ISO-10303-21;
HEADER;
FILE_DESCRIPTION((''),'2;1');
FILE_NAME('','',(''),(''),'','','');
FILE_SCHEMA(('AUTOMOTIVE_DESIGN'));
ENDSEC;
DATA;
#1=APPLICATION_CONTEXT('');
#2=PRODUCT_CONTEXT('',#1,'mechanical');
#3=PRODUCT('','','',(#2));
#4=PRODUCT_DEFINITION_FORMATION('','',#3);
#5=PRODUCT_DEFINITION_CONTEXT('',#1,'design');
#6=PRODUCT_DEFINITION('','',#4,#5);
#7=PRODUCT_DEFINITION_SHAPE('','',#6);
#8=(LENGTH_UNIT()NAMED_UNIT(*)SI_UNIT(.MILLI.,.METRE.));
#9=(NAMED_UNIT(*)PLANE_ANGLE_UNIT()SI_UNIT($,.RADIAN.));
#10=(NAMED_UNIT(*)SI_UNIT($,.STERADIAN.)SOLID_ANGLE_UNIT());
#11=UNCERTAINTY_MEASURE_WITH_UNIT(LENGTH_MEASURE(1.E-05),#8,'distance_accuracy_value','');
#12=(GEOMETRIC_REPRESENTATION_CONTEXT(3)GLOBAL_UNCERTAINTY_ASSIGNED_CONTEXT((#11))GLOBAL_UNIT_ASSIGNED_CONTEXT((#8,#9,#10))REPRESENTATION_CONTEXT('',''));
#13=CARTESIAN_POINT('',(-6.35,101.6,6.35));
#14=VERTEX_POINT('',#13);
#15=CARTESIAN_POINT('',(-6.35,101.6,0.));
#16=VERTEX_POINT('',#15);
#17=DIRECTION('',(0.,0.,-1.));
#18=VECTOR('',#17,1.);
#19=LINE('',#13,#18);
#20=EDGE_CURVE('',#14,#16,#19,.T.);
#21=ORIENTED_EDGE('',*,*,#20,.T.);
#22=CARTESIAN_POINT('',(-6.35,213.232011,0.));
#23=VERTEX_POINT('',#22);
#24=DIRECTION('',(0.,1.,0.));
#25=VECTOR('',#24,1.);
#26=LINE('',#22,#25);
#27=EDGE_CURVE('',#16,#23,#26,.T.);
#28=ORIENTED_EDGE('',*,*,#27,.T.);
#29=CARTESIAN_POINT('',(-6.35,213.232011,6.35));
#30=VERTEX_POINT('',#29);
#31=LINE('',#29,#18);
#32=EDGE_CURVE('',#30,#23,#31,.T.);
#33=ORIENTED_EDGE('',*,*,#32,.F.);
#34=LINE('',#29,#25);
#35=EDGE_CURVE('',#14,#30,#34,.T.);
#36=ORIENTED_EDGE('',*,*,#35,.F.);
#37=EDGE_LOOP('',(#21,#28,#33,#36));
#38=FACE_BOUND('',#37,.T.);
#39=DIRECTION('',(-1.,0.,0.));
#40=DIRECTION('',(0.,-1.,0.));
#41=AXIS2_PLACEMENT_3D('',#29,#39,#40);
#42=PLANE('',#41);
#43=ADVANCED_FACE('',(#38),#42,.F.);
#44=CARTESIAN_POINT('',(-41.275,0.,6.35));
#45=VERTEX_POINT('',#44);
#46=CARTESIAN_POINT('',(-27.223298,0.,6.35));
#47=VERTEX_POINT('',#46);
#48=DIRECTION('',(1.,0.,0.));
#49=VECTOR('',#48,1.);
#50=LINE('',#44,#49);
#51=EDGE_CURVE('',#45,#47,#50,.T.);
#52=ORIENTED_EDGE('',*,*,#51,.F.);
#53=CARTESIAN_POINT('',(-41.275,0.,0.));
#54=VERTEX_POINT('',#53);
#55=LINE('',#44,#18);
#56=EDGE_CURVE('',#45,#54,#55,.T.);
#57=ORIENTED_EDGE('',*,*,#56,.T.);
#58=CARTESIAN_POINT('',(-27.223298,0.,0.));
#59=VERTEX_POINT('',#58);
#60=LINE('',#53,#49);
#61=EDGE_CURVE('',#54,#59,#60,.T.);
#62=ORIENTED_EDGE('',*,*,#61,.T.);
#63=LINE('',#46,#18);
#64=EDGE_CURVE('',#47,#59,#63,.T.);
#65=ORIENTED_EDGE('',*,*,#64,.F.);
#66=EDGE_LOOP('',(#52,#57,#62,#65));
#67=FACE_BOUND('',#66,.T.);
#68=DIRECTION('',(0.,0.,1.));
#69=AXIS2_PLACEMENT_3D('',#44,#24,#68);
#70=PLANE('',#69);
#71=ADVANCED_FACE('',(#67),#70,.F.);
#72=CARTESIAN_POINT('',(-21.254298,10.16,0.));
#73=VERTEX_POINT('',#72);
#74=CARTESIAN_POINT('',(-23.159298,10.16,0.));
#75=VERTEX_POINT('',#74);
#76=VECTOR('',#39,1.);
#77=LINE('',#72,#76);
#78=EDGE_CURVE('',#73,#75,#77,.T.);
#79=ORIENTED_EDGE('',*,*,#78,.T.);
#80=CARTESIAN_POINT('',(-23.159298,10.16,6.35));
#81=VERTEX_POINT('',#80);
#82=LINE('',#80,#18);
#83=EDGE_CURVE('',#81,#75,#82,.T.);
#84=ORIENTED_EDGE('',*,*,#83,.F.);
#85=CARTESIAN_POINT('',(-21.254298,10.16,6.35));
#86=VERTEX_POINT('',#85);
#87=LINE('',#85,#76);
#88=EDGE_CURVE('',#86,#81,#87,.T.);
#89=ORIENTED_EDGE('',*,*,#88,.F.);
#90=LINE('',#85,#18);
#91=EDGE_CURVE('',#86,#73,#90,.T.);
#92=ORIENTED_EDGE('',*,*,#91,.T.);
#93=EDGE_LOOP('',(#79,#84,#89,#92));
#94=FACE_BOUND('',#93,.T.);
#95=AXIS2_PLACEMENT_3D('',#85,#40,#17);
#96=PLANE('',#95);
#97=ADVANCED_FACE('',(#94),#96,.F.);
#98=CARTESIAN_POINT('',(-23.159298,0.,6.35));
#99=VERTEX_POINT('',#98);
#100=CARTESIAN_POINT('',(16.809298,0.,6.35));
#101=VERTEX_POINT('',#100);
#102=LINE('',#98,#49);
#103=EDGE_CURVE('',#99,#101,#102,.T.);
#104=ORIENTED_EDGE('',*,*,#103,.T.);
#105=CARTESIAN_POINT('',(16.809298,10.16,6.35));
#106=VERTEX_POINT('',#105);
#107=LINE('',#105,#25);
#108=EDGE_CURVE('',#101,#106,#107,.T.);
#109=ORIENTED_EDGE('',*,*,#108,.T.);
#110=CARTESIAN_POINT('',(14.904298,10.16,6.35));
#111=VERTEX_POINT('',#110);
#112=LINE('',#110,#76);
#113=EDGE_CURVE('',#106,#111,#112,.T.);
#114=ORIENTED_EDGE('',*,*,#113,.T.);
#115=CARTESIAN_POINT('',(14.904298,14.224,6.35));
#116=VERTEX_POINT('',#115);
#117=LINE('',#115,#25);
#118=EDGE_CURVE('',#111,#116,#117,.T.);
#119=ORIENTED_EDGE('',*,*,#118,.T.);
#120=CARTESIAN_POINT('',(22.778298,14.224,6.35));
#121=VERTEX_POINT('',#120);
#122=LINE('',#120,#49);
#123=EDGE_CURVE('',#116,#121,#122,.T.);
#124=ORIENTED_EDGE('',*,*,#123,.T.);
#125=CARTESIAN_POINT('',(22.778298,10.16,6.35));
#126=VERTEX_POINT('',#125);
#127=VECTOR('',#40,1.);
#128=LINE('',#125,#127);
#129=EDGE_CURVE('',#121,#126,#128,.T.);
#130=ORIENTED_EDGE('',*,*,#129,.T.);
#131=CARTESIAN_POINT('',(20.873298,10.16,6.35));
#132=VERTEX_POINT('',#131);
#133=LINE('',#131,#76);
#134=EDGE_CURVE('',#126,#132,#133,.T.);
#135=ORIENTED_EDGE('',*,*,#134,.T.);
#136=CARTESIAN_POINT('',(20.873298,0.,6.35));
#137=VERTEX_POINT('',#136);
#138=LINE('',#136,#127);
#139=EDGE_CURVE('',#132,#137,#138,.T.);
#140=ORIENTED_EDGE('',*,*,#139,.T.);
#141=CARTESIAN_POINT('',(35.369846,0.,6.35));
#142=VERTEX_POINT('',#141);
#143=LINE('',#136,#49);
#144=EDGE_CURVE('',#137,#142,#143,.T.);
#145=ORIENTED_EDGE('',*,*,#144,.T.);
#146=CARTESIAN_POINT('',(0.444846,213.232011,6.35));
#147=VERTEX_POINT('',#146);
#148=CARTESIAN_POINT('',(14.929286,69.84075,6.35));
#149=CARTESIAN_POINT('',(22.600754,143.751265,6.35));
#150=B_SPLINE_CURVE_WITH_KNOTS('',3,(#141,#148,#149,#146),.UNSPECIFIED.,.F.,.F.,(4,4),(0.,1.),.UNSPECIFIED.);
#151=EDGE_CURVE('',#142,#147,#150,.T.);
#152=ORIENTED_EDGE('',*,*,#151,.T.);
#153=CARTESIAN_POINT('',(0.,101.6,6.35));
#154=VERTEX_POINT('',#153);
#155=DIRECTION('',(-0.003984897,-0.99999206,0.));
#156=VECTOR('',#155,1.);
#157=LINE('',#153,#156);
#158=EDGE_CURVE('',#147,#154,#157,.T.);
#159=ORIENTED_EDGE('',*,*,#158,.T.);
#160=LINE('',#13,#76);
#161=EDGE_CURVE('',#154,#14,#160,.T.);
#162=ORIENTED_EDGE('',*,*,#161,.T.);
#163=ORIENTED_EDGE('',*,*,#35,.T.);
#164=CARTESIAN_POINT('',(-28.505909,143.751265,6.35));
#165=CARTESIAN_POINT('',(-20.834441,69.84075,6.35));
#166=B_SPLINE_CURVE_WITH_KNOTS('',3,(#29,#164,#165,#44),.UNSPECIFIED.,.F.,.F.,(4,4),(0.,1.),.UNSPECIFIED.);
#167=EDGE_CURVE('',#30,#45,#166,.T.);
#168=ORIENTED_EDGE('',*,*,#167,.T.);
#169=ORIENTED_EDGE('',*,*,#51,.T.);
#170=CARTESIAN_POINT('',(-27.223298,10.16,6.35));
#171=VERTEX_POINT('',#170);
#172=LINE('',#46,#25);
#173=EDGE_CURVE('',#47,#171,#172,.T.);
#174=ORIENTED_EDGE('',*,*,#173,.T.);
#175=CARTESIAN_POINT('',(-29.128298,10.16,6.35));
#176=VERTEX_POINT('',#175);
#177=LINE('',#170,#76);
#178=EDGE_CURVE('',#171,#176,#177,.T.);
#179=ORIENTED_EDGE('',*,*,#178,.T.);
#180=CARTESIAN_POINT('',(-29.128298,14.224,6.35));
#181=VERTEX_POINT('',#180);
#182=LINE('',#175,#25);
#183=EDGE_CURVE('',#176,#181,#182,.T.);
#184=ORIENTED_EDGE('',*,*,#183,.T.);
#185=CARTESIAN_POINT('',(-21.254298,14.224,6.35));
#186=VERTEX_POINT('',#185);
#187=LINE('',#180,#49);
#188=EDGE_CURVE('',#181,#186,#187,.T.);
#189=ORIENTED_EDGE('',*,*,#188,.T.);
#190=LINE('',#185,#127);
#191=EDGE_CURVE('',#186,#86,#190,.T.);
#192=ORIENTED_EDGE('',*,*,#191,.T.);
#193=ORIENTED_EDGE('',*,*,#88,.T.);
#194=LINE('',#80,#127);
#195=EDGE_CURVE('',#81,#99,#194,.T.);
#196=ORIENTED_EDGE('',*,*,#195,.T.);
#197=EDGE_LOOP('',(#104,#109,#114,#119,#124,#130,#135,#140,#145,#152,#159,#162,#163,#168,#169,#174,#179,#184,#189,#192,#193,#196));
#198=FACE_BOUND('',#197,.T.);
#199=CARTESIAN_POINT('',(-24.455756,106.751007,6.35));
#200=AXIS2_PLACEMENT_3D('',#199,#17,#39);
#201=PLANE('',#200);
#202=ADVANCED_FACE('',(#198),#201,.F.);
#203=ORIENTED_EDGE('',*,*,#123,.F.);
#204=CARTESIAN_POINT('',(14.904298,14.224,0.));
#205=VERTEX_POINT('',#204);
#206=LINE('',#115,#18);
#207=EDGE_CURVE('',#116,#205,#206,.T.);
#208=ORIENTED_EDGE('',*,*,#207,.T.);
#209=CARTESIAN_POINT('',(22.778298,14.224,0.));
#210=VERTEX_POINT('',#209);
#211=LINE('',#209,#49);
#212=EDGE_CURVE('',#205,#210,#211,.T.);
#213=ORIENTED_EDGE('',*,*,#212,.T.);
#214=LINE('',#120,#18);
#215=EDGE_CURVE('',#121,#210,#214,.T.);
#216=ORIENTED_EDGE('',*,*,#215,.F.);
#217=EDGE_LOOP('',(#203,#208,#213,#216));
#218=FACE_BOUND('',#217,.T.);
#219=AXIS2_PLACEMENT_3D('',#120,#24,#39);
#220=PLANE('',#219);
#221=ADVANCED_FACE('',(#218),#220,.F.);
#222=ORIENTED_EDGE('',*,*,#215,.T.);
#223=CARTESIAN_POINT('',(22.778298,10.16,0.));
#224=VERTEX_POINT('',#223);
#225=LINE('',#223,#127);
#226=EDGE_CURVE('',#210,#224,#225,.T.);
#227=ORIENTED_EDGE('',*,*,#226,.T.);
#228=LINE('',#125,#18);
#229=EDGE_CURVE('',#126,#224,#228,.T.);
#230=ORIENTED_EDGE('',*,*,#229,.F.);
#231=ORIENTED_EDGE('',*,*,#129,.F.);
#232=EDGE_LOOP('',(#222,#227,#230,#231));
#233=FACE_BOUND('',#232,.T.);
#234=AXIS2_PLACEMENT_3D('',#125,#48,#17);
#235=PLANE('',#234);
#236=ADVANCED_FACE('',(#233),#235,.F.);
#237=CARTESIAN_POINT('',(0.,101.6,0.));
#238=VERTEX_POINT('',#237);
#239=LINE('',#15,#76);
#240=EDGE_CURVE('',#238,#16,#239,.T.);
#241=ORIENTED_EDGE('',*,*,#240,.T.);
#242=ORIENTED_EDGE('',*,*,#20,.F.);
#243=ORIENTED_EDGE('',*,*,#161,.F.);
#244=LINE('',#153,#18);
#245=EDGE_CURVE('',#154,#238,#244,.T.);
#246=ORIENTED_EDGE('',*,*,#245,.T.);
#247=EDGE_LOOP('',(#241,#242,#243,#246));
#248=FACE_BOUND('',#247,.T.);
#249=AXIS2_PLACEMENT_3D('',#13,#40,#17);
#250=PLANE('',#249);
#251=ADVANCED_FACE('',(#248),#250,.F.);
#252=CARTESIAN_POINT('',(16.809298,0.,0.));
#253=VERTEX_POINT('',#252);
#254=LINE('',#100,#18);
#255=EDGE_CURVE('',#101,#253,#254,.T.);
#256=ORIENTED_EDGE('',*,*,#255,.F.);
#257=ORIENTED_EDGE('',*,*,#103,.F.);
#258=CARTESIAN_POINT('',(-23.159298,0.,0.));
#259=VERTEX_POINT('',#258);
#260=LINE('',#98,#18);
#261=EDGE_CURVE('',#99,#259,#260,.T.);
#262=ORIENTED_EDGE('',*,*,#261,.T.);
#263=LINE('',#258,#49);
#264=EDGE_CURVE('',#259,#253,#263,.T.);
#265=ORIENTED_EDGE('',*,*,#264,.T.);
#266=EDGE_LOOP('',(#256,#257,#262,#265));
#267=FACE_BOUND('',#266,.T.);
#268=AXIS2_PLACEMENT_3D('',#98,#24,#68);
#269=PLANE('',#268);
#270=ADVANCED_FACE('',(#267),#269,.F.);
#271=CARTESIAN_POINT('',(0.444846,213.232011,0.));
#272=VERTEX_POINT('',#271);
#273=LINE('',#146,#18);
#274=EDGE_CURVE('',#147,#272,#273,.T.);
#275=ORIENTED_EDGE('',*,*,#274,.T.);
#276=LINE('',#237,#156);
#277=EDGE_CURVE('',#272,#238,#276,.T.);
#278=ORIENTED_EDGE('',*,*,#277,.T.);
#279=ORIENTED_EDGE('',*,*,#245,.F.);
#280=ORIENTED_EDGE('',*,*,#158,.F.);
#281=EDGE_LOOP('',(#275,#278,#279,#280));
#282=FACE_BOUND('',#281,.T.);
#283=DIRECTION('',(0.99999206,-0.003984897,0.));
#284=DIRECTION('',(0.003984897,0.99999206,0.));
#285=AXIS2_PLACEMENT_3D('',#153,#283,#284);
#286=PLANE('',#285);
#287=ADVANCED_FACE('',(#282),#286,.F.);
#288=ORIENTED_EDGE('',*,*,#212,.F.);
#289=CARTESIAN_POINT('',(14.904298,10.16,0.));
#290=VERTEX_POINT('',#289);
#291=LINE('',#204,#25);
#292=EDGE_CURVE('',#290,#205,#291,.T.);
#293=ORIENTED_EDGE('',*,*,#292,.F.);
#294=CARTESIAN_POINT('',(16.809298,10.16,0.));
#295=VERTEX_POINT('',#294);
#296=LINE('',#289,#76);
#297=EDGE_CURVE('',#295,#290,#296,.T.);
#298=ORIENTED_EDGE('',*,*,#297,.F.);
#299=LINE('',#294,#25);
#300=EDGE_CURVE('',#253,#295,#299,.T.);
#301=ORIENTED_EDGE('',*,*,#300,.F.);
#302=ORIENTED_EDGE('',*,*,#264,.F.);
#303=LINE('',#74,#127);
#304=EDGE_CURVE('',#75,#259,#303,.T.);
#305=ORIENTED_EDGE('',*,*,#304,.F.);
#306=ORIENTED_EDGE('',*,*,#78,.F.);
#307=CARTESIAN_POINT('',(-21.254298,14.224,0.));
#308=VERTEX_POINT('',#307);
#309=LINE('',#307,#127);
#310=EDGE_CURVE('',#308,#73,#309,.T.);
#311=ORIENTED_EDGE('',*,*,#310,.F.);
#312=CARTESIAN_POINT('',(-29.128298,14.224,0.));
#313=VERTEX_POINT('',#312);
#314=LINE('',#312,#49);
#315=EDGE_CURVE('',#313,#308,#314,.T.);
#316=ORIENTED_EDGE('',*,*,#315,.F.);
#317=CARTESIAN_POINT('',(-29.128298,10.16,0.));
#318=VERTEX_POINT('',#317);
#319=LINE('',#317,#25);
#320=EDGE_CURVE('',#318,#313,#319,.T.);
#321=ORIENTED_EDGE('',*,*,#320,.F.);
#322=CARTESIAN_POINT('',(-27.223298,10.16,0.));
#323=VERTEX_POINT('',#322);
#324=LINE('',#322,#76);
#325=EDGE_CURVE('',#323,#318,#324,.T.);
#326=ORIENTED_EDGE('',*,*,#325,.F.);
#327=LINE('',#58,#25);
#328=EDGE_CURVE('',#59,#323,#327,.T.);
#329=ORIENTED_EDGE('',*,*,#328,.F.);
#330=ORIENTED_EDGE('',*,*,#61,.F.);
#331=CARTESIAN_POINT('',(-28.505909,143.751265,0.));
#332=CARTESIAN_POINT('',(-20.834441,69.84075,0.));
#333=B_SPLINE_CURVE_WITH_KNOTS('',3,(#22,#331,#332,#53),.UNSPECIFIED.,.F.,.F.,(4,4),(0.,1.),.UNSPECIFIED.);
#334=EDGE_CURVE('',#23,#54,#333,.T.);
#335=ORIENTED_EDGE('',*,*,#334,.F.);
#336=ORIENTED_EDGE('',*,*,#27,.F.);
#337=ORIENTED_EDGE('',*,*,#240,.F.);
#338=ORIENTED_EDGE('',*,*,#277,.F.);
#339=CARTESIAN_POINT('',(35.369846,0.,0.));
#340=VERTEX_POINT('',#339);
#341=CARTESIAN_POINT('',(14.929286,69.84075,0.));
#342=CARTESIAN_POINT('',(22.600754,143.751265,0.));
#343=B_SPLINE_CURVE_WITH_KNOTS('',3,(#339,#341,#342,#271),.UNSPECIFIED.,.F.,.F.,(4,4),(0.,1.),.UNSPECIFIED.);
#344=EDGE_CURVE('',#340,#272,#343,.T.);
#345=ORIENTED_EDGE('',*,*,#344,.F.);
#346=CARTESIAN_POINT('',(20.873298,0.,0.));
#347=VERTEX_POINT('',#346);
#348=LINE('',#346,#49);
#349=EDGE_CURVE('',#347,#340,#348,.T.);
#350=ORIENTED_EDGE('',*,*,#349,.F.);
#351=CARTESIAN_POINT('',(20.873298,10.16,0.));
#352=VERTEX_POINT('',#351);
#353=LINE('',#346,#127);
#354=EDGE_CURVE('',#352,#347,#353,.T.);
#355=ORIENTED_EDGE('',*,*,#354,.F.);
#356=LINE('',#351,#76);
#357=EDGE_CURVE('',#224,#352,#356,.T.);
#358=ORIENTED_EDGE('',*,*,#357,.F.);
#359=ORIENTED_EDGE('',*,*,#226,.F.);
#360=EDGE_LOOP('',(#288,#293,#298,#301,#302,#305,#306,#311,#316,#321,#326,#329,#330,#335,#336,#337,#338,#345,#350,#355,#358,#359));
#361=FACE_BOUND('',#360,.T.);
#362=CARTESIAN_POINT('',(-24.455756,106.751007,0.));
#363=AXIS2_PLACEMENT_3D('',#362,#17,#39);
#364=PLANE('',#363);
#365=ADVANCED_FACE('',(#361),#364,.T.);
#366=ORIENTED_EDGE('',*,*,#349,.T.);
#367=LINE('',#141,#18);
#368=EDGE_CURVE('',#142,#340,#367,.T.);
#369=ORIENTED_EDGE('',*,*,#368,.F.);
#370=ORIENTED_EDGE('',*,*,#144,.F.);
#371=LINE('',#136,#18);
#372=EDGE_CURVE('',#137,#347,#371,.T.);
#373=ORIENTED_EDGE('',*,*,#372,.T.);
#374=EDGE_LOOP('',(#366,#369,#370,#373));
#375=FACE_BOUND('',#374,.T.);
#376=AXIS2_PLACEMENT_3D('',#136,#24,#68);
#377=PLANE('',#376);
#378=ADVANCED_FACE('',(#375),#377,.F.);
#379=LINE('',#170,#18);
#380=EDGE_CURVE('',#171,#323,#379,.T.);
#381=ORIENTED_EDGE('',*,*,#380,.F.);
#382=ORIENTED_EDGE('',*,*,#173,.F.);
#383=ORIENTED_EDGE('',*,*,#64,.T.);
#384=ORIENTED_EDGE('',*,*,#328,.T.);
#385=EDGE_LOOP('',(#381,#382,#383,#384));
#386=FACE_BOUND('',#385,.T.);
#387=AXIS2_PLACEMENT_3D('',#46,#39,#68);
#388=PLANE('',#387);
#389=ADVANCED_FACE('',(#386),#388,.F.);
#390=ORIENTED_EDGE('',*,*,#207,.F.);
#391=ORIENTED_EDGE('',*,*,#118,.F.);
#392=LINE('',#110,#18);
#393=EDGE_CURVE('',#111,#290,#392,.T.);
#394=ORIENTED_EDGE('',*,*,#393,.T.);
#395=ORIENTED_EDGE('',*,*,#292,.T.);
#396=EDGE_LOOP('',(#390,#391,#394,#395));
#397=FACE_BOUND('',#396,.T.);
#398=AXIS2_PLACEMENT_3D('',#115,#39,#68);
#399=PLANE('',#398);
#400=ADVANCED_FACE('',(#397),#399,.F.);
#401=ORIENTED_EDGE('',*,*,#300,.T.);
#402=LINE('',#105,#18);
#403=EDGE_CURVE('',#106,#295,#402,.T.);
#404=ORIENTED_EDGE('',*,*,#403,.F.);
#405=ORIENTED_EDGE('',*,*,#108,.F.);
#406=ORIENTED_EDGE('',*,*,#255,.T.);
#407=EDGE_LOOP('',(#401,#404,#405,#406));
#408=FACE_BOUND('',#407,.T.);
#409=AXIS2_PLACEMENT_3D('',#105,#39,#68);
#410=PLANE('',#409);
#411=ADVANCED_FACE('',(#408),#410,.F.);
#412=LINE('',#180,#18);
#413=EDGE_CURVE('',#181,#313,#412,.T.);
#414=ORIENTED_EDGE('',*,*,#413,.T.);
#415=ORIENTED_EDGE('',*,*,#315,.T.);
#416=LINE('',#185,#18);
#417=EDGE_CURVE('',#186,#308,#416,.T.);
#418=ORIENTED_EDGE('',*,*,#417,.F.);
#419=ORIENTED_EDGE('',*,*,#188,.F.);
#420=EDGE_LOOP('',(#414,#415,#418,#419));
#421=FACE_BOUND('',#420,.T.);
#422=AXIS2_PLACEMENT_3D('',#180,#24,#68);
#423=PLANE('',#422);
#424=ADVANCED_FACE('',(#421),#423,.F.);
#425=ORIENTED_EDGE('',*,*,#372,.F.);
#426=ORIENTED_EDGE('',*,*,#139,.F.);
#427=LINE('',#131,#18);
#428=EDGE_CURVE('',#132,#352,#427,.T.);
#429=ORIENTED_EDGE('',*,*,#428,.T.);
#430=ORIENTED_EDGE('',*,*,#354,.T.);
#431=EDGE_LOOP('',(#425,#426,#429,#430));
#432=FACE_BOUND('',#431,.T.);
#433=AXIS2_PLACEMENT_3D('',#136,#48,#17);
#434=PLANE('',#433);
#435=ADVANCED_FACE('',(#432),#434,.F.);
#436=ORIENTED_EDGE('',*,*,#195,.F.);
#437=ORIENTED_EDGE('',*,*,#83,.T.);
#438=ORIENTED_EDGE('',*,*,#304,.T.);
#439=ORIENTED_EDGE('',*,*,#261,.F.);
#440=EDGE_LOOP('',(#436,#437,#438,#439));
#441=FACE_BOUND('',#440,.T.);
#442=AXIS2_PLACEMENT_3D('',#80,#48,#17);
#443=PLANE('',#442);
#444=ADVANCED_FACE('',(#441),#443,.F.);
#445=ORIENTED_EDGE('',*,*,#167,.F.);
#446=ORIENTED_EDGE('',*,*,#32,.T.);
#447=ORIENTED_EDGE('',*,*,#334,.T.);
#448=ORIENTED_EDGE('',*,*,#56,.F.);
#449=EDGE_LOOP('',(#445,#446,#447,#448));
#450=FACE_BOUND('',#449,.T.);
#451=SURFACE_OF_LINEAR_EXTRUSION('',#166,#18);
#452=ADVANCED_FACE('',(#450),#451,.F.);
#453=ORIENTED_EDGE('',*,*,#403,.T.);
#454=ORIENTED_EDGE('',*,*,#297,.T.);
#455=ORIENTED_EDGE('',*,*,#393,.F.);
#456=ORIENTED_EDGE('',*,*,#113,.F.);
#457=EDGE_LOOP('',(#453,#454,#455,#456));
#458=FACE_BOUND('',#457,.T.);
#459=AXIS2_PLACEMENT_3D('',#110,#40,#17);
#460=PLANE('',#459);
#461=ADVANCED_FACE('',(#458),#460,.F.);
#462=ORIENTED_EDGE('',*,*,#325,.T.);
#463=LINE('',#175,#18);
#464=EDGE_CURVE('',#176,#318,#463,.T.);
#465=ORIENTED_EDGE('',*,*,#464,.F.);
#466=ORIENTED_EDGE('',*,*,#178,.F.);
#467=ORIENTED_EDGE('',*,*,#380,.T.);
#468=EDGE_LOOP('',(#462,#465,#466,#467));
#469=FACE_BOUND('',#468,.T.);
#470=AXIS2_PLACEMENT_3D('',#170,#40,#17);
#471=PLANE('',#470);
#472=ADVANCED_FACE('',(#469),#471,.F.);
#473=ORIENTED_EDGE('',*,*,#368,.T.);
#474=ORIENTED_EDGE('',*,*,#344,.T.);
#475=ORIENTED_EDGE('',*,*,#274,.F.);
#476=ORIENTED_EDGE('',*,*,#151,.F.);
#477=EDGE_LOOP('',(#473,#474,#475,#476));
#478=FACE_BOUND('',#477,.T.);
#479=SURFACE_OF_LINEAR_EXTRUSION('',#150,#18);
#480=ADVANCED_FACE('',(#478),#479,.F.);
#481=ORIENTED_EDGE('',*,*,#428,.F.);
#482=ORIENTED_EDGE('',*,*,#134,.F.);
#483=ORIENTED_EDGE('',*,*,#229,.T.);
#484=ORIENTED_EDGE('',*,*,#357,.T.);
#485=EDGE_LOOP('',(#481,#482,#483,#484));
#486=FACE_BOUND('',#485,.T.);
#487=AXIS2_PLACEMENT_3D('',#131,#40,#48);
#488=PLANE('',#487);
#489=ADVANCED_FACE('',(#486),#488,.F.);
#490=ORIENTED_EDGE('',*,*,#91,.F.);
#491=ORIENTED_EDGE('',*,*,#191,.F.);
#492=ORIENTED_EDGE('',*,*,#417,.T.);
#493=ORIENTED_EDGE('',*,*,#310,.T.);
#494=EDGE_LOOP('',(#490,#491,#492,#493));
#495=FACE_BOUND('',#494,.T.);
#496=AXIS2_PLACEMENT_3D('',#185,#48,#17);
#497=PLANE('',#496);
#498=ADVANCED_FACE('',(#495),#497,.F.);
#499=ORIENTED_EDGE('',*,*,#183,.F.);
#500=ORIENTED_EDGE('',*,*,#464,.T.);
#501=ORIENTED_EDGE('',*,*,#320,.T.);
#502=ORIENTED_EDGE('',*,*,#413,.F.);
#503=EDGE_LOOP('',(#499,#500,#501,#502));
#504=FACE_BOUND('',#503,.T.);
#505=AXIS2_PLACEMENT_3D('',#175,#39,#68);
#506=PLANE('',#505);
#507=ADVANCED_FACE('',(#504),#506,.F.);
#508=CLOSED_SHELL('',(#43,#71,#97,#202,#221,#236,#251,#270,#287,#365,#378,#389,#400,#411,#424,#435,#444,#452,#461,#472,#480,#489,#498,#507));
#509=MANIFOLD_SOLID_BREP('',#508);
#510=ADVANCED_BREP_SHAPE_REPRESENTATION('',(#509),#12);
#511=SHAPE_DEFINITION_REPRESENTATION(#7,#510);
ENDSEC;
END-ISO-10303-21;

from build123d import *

# Parameters (mm, degrees)
BOSS_EXTRUDE1_DEPTH = 6.35


with BuildPart() as part:
    # Sketch1 → Boss-Extrude1 (new body)
    with BuildSketch(Plane.XY):
        with BuildLine():
            Line((-41.275, 0), (-27.223297828, 0))
            Line((-27.223297828, 0), (-27.223297828, 10.16))
            Line((-27.223297828, 10.16), (-29.128297828, 10.16))
            Line((-29.128297828, 10.16), (-29.128297828, 14.224))
            Line((-29.128297828, 14.224), (-21.254297828, 14.224))
            Line((-21.254297828, 14.224), (-21.254297828, 10.16))
            Line((-21.254297828, 10.16), (-23.159297828, 10.16))
            Line((-23.159297828, 10.16), (-23.159297828, 0))
            Line((-23.159297828, 0), (16.809297828, 0))
            Line((16.809297828, 0), (16.809297828, 10.16))
            Line((16.809297828, 10.16), (14.904297828, 10.16))
            Line((14.904297828, 10.16), (14.904297828, 14.224))
            Line((14.904297828, 14.224), (22.778297828, 14.224))
            Line((22.778297828, 14.224), (22.778297828, 10.16))
            Line((22.778297828, 10.16), (20.873297828, 10.16))
            Line((20.873297828, 10.16), (20.873297828, 0))
            Line((20.873297828, 0), (35.369845619, 0))
            add(Edge.make_bspline(
                [(0.444845619, 213.232011469), (22.600754388, 143.751265393), (14.929286493, 69.840750236), (35.369845619, 0)],
                knots=[0, 0, 0, 0, 1, 1, 1, 1], degree=3))
            Line((0.444845619, 213.232011469), (0, 101.6))
            Line((0, 101.6), (-6.35, 101.6))
            Line((-6.35, 101.6), (-6.35, 213.232011469))
            add(Edge.make_bspline(
                [(-6.35, 213.232011469), (-28.505908769, 143.751265393), (-20.834440874, 69.840750236), (-41.275, 0)],
                knots=[0, 0, 0, 0, 1, 1, 1, 1], degree=3))
        make_face()
    extrude(amount=BOSS_EXTRUDE1_DEPTH)


solid = part.part
